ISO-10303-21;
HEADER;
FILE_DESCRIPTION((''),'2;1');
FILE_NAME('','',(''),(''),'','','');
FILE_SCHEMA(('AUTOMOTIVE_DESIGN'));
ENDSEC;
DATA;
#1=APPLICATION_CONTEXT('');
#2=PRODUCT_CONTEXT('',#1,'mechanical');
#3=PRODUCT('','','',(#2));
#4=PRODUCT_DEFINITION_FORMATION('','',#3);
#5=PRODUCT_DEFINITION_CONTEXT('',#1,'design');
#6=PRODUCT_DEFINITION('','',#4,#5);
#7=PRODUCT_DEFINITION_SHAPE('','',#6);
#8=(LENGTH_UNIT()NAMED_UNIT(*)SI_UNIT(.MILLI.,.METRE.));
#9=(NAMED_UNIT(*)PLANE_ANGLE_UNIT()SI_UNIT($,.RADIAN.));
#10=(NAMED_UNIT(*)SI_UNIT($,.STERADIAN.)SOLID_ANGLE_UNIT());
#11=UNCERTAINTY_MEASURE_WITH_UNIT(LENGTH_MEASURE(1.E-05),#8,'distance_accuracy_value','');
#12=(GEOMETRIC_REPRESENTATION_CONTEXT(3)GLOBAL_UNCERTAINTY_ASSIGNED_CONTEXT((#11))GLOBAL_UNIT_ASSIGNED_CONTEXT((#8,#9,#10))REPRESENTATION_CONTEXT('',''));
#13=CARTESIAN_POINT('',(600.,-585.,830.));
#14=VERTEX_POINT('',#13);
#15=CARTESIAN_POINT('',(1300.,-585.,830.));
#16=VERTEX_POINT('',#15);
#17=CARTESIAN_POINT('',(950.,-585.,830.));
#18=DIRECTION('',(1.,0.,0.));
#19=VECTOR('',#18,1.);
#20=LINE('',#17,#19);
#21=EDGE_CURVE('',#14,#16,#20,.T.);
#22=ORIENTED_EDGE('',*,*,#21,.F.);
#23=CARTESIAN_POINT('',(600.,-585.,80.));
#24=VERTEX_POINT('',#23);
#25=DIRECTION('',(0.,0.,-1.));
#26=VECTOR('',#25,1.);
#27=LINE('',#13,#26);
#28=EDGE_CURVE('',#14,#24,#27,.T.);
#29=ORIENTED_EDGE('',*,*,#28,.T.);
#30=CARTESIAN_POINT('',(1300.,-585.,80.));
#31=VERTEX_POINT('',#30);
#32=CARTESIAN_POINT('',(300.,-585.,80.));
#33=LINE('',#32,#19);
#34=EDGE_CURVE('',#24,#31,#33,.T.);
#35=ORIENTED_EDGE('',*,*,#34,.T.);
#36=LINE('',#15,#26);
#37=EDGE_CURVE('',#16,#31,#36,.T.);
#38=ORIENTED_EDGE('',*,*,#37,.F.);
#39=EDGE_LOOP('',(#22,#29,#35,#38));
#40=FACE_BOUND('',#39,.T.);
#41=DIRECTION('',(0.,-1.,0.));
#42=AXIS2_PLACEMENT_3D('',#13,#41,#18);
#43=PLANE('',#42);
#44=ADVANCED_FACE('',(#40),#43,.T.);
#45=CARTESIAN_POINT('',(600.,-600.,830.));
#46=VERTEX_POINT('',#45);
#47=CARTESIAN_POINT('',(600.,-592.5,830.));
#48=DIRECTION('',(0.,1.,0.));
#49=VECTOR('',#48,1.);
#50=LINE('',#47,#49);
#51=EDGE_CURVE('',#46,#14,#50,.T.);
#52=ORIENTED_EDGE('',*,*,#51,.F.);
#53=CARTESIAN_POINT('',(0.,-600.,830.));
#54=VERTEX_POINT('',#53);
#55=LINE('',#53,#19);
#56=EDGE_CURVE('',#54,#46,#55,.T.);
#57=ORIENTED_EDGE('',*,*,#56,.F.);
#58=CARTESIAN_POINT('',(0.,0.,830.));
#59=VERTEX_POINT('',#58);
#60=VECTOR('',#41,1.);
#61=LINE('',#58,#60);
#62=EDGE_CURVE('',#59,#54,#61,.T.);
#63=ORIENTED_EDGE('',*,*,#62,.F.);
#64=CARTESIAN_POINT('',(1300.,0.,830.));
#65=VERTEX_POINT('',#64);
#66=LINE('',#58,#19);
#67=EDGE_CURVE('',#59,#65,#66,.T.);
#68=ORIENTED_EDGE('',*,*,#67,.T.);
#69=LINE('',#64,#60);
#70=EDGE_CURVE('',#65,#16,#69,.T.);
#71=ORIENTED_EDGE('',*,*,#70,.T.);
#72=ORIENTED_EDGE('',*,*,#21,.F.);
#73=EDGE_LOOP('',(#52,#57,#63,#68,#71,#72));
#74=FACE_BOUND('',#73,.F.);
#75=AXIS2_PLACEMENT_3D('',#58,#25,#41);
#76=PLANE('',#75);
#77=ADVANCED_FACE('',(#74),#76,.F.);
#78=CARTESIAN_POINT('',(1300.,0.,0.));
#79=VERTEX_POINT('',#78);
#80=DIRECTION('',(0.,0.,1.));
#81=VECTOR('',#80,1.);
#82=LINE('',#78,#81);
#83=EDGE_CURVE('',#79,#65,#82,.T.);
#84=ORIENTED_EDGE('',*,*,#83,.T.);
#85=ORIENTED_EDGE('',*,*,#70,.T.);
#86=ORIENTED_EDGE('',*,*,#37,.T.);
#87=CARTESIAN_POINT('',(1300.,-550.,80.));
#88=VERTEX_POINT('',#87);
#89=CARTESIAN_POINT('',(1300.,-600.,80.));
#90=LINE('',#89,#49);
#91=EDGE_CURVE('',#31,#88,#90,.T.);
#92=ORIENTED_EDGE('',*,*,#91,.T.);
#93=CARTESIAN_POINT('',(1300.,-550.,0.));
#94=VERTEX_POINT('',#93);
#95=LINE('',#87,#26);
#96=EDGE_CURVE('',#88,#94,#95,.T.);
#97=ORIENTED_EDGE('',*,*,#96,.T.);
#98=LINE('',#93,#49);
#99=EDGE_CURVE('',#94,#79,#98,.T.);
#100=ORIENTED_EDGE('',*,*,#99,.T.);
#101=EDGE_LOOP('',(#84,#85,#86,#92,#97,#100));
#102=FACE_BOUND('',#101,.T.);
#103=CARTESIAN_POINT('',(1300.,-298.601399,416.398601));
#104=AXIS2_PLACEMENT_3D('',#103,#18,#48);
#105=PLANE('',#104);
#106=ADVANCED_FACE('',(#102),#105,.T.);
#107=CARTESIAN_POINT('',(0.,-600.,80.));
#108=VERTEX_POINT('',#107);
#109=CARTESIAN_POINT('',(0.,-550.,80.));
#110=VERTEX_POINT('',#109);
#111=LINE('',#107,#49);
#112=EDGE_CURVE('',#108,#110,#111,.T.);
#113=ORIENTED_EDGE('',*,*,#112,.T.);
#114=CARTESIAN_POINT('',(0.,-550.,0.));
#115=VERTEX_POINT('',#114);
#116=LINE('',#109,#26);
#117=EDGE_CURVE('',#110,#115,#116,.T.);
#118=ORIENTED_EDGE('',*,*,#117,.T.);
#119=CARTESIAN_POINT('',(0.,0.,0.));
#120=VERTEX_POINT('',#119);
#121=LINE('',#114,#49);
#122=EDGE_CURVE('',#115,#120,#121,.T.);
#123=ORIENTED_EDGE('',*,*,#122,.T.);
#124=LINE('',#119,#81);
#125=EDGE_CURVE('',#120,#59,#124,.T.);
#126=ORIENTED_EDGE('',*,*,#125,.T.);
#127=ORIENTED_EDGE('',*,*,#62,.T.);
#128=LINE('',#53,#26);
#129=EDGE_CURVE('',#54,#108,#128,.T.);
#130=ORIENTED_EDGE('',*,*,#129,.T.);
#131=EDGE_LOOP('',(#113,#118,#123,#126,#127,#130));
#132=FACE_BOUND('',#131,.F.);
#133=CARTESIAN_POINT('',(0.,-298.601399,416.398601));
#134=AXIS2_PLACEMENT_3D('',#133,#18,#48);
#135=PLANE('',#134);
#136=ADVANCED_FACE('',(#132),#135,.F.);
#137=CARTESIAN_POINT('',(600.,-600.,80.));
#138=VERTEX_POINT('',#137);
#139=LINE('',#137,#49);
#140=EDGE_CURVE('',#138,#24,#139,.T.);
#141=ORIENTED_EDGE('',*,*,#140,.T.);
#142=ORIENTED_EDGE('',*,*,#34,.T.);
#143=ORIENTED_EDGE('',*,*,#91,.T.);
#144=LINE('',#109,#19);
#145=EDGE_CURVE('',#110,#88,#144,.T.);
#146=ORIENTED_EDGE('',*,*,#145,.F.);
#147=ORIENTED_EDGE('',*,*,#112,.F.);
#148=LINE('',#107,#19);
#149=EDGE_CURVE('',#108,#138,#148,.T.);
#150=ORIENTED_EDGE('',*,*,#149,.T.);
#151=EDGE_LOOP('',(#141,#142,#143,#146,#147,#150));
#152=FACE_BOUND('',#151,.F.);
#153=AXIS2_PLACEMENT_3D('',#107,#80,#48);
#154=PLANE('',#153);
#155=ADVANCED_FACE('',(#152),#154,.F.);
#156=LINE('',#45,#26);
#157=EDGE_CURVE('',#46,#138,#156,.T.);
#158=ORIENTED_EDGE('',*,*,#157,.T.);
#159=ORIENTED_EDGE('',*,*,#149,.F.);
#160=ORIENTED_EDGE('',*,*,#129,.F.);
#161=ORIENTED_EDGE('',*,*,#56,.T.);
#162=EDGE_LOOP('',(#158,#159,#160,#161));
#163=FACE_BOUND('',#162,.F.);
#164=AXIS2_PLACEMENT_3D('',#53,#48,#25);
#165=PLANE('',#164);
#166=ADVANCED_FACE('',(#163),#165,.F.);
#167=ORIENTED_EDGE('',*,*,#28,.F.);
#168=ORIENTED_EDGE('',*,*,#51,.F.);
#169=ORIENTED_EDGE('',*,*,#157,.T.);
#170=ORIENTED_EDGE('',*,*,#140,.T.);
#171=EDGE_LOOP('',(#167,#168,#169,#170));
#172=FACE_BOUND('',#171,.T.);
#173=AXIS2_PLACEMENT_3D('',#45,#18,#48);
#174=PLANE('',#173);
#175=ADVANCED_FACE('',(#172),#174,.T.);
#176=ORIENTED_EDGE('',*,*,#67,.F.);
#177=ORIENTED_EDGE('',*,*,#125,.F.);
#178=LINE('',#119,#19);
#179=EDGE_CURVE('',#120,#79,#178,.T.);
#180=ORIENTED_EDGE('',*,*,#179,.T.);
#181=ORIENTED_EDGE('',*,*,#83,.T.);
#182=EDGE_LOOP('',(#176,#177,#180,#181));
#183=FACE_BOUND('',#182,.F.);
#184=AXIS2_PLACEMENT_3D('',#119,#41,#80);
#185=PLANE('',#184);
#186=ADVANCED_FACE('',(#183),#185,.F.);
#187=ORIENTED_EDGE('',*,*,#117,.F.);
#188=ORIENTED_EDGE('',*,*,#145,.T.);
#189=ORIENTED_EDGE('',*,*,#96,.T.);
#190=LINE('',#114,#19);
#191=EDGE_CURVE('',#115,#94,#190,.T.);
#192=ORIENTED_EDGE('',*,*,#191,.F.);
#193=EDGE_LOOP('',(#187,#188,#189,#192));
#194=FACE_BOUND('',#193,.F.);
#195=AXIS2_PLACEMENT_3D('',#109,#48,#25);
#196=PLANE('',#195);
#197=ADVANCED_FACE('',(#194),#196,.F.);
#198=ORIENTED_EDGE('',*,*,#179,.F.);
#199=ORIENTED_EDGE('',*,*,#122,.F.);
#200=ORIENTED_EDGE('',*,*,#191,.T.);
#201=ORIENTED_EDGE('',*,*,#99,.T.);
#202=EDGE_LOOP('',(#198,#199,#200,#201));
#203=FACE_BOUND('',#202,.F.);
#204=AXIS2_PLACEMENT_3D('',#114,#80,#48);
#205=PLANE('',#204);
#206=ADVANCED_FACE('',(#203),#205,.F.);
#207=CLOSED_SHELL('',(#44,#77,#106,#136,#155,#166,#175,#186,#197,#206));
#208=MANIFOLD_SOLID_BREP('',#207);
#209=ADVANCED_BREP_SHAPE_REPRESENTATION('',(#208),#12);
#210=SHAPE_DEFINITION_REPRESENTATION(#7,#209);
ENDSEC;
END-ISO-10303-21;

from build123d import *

# Parameters (mm, degrees)
F1_DEPTH = 1300
F2_W     = 700
F2_H     = 15
F3_DEPTH = 830.001


with BuildPart() as f1:
    # F0 (on Right) → F1 (new body)
    with BuildSketch(Plane.YZ):
        Polygon((-550, 0), (0, 0), (0, 830), (-600, 830), (-600, 80), (-550, 80), align=None)
    extrude(amount=F1_DEPTH)

    # F2 (on face) → F3 (cut, through all)
    with BuildSketch(Plane.XY.offset(830)):
        with Locations((950, -592.5)):
            Rectangle(F2_W, F2_H)
    extrude(amount=-F3_DEPTH, mode=Mode.SUBTRACT)


solid = f1.part
